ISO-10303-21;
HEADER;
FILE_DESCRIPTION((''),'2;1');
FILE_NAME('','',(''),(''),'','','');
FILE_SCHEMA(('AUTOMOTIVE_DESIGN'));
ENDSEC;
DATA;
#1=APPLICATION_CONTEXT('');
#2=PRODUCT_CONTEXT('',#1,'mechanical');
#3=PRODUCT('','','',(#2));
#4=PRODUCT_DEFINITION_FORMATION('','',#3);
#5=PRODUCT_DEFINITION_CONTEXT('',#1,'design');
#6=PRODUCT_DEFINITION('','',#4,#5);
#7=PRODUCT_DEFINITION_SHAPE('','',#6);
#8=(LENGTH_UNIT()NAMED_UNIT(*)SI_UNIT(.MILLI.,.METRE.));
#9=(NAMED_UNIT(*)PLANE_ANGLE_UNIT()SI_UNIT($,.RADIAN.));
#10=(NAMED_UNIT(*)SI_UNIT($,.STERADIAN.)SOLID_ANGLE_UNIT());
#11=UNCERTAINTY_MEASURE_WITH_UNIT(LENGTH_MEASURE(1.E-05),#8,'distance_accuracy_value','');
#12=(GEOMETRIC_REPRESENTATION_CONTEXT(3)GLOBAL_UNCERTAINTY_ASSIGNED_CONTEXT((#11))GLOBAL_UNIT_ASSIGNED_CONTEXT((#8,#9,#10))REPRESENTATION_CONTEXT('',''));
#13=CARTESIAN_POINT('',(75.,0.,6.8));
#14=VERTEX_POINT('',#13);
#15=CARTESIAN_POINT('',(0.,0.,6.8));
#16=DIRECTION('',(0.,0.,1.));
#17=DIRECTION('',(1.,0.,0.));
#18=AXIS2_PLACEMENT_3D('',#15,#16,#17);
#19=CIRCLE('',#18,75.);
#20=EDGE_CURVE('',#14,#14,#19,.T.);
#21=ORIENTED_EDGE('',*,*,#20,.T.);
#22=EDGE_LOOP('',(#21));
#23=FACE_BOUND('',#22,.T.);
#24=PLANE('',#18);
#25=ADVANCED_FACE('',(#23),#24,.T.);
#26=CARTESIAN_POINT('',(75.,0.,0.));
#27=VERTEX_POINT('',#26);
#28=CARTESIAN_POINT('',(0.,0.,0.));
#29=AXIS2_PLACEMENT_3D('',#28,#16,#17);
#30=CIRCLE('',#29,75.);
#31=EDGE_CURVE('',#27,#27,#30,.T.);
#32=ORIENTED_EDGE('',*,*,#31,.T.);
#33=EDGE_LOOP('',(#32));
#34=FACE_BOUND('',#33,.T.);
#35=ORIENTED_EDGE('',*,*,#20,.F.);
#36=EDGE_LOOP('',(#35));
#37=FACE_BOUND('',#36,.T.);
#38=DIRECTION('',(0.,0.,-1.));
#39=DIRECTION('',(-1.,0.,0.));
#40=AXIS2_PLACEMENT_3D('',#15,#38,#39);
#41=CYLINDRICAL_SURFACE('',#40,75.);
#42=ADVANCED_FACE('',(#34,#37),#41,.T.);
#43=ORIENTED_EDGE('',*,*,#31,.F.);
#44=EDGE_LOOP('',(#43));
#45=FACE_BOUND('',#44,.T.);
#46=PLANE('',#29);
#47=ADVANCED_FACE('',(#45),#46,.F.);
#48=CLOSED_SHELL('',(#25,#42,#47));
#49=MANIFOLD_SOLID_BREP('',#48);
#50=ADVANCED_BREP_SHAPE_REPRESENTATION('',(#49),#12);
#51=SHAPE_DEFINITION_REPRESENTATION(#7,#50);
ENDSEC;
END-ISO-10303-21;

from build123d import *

# Parameters (mm, degrees)
SKETCH1_R           = 75
BOSS_EXTRUDE1_DEPTH = 6.8


with BuildPart() as part:
    # Sketch1 → Boss-Extrude1 (new body)
    with BuildSketch(Plane.XY):
        Circle(SKETCH1_R)
    extrude(amount=BOSS_EXTRUDE1_DEPTH)


solid = part.part
